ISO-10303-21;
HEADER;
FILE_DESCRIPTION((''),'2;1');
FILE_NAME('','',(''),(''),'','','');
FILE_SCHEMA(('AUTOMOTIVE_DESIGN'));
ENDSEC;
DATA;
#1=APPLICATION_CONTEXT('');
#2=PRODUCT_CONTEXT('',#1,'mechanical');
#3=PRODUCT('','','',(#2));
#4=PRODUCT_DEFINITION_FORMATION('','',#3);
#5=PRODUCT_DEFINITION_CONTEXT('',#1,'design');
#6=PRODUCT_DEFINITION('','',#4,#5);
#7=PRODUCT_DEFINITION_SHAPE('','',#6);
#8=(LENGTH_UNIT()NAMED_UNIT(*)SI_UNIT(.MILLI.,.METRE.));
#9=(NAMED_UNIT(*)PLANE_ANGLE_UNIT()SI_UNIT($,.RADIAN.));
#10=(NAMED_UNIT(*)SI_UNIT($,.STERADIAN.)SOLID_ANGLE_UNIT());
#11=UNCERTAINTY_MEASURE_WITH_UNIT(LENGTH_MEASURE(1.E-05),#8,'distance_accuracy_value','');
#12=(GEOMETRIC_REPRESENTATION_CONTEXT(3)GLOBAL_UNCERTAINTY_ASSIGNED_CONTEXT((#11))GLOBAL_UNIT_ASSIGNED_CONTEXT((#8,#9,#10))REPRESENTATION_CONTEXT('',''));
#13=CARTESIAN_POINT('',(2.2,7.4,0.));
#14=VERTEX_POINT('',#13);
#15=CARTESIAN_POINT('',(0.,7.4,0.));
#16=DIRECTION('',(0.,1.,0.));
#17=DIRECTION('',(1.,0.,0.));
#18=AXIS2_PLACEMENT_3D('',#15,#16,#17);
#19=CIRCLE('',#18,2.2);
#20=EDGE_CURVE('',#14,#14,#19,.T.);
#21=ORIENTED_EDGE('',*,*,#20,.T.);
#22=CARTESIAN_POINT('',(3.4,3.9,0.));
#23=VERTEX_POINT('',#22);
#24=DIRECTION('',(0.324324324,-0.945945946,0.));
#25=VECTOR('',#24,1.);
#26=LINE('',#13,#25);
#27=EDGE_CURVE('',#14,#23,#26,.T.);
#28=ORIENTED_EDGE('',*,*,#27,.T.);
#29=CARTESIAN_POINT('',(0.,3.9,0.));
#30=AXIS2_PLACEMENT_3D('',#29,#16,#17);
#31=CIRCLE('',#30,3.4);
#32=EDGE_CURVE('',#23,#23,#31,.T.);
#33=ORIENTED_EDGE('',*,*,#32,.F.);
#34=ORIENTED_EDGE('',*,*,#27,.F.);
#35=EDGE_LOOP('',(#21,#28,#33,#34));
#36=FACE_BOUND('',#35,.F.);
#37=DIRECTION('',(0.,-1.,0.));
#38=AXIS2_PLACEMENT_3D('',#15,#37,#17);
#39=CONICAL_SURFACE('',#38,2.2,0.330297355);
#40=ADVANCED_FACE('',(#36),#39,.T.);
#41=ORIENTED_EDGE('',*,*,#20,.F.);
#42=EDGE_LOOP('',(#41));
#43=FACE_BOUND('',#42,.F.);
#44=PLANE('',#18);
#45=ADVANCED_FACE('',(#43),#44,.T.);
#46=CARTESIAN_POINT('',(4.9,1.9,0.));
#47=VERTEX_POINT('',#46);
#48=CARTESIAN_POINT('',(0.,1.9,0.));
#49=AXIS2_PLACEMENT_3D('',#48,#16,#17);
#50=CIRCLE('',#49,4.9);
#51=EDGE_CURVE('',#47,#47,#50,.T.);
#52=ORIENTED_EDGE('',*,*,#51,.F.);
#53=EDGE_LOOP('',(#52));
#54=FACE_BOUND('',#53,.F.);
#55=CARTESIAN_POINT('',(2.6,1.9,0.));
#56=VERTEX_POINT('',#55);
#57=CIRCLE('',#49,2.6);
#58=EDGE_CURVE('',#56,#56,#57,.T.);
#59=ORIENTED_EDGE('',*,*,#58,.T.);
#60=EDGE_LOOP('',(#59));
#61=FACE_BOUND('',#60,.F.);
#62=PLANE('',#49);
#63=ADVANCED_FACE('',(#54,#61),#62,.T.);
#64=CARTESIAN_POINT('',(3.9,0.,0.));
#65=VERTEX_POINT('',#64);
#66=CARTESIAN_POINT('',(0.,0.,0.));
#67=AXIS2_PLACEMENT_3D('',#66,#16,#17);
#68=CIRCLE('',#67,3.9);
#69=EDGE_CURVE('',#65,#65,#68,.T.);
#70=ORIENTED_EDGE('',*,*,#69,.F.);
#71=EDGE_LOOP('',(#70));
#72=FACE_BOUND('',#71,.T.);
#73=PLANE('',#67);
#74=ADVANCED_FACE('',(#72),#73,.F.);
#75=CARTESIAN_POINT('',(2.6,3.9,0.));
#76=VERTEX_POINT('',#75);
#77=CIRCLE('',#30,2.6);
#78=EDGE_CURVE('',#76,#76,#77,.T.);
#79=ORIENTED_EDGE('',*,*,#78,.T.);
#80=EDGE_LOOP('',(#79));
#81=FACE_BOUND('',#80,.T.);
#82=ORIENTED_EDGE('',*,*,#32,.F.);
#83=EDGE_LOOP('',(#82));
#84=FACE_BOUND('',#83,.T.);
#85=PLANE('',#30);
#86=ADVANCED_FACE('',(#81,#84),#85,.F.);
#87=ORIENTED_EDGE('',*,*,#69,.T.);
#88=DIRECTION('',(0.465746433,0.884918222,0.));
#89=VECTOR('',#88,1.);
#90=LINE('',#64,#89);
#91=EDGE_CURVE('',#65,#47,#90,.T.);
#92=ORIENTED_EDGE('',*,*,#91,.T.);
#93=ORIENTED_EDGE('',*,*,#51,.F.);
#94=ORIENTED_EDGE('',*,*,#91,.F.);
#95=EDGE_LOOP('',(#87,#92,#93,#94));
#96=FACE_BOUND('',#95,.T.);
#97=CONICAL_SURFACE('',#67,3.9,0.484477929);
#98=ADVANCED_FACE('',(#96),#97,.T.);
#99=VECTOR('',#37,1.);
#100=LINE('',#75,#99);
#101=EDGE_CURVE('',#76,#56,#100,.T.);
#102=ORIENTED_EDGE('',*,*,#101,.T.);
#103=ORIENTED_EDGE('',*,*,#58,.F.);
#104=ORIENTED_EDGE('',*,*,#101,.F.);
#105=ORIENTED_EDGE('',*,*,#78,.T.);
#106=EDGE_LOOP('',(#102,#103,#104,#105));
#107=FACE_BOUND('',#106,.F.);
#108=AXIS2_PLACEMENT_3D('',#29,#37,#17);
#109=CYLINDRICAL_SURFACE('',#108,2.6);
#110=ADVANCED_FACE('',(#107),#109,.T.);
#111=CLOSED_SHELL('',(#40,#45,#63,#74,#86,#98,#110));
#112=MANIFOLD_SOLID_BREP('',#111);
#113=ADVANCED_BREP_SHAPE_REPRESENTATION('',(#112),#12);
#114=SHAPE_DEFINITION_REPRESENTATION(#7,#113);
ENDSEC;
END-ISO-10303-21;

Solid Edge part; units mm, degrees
sketch "Sketch1" plane through (0, 0, 0) normal (0, 0, 1) x (1, 0, 0)
  line L0 (2.6, 1.9) -> (4.9, 1.9)
  line L1 (3.9, 0) -> (4.9, 1.9)
  line L2 (0, 0) -> (3.9, 0)
  line L3 (0, 7.4) -> (0, 0)
  line L4 (0, 7.4) -> (2.2, 7.4)
  line L5 (2.2, 7.4) -> (3.4, 3.9)
  line L6 (2.6, 3.9) -> (3.4, 3.9)
  line L7 (2.6, 3.9) -> (2.6, 1.9)
  dimension "D1" = 2.3
  dimension "D2" = 3.9
  dimension "D3" = 0.8
  dimension "D4" = 7.4
  dimension "D5" = 2.2
revolve "RevolvedProtrusion1" add sketch "Sketch1" angle 360 about axis through (0, 7.4, 0) along (0, 1, 0)
